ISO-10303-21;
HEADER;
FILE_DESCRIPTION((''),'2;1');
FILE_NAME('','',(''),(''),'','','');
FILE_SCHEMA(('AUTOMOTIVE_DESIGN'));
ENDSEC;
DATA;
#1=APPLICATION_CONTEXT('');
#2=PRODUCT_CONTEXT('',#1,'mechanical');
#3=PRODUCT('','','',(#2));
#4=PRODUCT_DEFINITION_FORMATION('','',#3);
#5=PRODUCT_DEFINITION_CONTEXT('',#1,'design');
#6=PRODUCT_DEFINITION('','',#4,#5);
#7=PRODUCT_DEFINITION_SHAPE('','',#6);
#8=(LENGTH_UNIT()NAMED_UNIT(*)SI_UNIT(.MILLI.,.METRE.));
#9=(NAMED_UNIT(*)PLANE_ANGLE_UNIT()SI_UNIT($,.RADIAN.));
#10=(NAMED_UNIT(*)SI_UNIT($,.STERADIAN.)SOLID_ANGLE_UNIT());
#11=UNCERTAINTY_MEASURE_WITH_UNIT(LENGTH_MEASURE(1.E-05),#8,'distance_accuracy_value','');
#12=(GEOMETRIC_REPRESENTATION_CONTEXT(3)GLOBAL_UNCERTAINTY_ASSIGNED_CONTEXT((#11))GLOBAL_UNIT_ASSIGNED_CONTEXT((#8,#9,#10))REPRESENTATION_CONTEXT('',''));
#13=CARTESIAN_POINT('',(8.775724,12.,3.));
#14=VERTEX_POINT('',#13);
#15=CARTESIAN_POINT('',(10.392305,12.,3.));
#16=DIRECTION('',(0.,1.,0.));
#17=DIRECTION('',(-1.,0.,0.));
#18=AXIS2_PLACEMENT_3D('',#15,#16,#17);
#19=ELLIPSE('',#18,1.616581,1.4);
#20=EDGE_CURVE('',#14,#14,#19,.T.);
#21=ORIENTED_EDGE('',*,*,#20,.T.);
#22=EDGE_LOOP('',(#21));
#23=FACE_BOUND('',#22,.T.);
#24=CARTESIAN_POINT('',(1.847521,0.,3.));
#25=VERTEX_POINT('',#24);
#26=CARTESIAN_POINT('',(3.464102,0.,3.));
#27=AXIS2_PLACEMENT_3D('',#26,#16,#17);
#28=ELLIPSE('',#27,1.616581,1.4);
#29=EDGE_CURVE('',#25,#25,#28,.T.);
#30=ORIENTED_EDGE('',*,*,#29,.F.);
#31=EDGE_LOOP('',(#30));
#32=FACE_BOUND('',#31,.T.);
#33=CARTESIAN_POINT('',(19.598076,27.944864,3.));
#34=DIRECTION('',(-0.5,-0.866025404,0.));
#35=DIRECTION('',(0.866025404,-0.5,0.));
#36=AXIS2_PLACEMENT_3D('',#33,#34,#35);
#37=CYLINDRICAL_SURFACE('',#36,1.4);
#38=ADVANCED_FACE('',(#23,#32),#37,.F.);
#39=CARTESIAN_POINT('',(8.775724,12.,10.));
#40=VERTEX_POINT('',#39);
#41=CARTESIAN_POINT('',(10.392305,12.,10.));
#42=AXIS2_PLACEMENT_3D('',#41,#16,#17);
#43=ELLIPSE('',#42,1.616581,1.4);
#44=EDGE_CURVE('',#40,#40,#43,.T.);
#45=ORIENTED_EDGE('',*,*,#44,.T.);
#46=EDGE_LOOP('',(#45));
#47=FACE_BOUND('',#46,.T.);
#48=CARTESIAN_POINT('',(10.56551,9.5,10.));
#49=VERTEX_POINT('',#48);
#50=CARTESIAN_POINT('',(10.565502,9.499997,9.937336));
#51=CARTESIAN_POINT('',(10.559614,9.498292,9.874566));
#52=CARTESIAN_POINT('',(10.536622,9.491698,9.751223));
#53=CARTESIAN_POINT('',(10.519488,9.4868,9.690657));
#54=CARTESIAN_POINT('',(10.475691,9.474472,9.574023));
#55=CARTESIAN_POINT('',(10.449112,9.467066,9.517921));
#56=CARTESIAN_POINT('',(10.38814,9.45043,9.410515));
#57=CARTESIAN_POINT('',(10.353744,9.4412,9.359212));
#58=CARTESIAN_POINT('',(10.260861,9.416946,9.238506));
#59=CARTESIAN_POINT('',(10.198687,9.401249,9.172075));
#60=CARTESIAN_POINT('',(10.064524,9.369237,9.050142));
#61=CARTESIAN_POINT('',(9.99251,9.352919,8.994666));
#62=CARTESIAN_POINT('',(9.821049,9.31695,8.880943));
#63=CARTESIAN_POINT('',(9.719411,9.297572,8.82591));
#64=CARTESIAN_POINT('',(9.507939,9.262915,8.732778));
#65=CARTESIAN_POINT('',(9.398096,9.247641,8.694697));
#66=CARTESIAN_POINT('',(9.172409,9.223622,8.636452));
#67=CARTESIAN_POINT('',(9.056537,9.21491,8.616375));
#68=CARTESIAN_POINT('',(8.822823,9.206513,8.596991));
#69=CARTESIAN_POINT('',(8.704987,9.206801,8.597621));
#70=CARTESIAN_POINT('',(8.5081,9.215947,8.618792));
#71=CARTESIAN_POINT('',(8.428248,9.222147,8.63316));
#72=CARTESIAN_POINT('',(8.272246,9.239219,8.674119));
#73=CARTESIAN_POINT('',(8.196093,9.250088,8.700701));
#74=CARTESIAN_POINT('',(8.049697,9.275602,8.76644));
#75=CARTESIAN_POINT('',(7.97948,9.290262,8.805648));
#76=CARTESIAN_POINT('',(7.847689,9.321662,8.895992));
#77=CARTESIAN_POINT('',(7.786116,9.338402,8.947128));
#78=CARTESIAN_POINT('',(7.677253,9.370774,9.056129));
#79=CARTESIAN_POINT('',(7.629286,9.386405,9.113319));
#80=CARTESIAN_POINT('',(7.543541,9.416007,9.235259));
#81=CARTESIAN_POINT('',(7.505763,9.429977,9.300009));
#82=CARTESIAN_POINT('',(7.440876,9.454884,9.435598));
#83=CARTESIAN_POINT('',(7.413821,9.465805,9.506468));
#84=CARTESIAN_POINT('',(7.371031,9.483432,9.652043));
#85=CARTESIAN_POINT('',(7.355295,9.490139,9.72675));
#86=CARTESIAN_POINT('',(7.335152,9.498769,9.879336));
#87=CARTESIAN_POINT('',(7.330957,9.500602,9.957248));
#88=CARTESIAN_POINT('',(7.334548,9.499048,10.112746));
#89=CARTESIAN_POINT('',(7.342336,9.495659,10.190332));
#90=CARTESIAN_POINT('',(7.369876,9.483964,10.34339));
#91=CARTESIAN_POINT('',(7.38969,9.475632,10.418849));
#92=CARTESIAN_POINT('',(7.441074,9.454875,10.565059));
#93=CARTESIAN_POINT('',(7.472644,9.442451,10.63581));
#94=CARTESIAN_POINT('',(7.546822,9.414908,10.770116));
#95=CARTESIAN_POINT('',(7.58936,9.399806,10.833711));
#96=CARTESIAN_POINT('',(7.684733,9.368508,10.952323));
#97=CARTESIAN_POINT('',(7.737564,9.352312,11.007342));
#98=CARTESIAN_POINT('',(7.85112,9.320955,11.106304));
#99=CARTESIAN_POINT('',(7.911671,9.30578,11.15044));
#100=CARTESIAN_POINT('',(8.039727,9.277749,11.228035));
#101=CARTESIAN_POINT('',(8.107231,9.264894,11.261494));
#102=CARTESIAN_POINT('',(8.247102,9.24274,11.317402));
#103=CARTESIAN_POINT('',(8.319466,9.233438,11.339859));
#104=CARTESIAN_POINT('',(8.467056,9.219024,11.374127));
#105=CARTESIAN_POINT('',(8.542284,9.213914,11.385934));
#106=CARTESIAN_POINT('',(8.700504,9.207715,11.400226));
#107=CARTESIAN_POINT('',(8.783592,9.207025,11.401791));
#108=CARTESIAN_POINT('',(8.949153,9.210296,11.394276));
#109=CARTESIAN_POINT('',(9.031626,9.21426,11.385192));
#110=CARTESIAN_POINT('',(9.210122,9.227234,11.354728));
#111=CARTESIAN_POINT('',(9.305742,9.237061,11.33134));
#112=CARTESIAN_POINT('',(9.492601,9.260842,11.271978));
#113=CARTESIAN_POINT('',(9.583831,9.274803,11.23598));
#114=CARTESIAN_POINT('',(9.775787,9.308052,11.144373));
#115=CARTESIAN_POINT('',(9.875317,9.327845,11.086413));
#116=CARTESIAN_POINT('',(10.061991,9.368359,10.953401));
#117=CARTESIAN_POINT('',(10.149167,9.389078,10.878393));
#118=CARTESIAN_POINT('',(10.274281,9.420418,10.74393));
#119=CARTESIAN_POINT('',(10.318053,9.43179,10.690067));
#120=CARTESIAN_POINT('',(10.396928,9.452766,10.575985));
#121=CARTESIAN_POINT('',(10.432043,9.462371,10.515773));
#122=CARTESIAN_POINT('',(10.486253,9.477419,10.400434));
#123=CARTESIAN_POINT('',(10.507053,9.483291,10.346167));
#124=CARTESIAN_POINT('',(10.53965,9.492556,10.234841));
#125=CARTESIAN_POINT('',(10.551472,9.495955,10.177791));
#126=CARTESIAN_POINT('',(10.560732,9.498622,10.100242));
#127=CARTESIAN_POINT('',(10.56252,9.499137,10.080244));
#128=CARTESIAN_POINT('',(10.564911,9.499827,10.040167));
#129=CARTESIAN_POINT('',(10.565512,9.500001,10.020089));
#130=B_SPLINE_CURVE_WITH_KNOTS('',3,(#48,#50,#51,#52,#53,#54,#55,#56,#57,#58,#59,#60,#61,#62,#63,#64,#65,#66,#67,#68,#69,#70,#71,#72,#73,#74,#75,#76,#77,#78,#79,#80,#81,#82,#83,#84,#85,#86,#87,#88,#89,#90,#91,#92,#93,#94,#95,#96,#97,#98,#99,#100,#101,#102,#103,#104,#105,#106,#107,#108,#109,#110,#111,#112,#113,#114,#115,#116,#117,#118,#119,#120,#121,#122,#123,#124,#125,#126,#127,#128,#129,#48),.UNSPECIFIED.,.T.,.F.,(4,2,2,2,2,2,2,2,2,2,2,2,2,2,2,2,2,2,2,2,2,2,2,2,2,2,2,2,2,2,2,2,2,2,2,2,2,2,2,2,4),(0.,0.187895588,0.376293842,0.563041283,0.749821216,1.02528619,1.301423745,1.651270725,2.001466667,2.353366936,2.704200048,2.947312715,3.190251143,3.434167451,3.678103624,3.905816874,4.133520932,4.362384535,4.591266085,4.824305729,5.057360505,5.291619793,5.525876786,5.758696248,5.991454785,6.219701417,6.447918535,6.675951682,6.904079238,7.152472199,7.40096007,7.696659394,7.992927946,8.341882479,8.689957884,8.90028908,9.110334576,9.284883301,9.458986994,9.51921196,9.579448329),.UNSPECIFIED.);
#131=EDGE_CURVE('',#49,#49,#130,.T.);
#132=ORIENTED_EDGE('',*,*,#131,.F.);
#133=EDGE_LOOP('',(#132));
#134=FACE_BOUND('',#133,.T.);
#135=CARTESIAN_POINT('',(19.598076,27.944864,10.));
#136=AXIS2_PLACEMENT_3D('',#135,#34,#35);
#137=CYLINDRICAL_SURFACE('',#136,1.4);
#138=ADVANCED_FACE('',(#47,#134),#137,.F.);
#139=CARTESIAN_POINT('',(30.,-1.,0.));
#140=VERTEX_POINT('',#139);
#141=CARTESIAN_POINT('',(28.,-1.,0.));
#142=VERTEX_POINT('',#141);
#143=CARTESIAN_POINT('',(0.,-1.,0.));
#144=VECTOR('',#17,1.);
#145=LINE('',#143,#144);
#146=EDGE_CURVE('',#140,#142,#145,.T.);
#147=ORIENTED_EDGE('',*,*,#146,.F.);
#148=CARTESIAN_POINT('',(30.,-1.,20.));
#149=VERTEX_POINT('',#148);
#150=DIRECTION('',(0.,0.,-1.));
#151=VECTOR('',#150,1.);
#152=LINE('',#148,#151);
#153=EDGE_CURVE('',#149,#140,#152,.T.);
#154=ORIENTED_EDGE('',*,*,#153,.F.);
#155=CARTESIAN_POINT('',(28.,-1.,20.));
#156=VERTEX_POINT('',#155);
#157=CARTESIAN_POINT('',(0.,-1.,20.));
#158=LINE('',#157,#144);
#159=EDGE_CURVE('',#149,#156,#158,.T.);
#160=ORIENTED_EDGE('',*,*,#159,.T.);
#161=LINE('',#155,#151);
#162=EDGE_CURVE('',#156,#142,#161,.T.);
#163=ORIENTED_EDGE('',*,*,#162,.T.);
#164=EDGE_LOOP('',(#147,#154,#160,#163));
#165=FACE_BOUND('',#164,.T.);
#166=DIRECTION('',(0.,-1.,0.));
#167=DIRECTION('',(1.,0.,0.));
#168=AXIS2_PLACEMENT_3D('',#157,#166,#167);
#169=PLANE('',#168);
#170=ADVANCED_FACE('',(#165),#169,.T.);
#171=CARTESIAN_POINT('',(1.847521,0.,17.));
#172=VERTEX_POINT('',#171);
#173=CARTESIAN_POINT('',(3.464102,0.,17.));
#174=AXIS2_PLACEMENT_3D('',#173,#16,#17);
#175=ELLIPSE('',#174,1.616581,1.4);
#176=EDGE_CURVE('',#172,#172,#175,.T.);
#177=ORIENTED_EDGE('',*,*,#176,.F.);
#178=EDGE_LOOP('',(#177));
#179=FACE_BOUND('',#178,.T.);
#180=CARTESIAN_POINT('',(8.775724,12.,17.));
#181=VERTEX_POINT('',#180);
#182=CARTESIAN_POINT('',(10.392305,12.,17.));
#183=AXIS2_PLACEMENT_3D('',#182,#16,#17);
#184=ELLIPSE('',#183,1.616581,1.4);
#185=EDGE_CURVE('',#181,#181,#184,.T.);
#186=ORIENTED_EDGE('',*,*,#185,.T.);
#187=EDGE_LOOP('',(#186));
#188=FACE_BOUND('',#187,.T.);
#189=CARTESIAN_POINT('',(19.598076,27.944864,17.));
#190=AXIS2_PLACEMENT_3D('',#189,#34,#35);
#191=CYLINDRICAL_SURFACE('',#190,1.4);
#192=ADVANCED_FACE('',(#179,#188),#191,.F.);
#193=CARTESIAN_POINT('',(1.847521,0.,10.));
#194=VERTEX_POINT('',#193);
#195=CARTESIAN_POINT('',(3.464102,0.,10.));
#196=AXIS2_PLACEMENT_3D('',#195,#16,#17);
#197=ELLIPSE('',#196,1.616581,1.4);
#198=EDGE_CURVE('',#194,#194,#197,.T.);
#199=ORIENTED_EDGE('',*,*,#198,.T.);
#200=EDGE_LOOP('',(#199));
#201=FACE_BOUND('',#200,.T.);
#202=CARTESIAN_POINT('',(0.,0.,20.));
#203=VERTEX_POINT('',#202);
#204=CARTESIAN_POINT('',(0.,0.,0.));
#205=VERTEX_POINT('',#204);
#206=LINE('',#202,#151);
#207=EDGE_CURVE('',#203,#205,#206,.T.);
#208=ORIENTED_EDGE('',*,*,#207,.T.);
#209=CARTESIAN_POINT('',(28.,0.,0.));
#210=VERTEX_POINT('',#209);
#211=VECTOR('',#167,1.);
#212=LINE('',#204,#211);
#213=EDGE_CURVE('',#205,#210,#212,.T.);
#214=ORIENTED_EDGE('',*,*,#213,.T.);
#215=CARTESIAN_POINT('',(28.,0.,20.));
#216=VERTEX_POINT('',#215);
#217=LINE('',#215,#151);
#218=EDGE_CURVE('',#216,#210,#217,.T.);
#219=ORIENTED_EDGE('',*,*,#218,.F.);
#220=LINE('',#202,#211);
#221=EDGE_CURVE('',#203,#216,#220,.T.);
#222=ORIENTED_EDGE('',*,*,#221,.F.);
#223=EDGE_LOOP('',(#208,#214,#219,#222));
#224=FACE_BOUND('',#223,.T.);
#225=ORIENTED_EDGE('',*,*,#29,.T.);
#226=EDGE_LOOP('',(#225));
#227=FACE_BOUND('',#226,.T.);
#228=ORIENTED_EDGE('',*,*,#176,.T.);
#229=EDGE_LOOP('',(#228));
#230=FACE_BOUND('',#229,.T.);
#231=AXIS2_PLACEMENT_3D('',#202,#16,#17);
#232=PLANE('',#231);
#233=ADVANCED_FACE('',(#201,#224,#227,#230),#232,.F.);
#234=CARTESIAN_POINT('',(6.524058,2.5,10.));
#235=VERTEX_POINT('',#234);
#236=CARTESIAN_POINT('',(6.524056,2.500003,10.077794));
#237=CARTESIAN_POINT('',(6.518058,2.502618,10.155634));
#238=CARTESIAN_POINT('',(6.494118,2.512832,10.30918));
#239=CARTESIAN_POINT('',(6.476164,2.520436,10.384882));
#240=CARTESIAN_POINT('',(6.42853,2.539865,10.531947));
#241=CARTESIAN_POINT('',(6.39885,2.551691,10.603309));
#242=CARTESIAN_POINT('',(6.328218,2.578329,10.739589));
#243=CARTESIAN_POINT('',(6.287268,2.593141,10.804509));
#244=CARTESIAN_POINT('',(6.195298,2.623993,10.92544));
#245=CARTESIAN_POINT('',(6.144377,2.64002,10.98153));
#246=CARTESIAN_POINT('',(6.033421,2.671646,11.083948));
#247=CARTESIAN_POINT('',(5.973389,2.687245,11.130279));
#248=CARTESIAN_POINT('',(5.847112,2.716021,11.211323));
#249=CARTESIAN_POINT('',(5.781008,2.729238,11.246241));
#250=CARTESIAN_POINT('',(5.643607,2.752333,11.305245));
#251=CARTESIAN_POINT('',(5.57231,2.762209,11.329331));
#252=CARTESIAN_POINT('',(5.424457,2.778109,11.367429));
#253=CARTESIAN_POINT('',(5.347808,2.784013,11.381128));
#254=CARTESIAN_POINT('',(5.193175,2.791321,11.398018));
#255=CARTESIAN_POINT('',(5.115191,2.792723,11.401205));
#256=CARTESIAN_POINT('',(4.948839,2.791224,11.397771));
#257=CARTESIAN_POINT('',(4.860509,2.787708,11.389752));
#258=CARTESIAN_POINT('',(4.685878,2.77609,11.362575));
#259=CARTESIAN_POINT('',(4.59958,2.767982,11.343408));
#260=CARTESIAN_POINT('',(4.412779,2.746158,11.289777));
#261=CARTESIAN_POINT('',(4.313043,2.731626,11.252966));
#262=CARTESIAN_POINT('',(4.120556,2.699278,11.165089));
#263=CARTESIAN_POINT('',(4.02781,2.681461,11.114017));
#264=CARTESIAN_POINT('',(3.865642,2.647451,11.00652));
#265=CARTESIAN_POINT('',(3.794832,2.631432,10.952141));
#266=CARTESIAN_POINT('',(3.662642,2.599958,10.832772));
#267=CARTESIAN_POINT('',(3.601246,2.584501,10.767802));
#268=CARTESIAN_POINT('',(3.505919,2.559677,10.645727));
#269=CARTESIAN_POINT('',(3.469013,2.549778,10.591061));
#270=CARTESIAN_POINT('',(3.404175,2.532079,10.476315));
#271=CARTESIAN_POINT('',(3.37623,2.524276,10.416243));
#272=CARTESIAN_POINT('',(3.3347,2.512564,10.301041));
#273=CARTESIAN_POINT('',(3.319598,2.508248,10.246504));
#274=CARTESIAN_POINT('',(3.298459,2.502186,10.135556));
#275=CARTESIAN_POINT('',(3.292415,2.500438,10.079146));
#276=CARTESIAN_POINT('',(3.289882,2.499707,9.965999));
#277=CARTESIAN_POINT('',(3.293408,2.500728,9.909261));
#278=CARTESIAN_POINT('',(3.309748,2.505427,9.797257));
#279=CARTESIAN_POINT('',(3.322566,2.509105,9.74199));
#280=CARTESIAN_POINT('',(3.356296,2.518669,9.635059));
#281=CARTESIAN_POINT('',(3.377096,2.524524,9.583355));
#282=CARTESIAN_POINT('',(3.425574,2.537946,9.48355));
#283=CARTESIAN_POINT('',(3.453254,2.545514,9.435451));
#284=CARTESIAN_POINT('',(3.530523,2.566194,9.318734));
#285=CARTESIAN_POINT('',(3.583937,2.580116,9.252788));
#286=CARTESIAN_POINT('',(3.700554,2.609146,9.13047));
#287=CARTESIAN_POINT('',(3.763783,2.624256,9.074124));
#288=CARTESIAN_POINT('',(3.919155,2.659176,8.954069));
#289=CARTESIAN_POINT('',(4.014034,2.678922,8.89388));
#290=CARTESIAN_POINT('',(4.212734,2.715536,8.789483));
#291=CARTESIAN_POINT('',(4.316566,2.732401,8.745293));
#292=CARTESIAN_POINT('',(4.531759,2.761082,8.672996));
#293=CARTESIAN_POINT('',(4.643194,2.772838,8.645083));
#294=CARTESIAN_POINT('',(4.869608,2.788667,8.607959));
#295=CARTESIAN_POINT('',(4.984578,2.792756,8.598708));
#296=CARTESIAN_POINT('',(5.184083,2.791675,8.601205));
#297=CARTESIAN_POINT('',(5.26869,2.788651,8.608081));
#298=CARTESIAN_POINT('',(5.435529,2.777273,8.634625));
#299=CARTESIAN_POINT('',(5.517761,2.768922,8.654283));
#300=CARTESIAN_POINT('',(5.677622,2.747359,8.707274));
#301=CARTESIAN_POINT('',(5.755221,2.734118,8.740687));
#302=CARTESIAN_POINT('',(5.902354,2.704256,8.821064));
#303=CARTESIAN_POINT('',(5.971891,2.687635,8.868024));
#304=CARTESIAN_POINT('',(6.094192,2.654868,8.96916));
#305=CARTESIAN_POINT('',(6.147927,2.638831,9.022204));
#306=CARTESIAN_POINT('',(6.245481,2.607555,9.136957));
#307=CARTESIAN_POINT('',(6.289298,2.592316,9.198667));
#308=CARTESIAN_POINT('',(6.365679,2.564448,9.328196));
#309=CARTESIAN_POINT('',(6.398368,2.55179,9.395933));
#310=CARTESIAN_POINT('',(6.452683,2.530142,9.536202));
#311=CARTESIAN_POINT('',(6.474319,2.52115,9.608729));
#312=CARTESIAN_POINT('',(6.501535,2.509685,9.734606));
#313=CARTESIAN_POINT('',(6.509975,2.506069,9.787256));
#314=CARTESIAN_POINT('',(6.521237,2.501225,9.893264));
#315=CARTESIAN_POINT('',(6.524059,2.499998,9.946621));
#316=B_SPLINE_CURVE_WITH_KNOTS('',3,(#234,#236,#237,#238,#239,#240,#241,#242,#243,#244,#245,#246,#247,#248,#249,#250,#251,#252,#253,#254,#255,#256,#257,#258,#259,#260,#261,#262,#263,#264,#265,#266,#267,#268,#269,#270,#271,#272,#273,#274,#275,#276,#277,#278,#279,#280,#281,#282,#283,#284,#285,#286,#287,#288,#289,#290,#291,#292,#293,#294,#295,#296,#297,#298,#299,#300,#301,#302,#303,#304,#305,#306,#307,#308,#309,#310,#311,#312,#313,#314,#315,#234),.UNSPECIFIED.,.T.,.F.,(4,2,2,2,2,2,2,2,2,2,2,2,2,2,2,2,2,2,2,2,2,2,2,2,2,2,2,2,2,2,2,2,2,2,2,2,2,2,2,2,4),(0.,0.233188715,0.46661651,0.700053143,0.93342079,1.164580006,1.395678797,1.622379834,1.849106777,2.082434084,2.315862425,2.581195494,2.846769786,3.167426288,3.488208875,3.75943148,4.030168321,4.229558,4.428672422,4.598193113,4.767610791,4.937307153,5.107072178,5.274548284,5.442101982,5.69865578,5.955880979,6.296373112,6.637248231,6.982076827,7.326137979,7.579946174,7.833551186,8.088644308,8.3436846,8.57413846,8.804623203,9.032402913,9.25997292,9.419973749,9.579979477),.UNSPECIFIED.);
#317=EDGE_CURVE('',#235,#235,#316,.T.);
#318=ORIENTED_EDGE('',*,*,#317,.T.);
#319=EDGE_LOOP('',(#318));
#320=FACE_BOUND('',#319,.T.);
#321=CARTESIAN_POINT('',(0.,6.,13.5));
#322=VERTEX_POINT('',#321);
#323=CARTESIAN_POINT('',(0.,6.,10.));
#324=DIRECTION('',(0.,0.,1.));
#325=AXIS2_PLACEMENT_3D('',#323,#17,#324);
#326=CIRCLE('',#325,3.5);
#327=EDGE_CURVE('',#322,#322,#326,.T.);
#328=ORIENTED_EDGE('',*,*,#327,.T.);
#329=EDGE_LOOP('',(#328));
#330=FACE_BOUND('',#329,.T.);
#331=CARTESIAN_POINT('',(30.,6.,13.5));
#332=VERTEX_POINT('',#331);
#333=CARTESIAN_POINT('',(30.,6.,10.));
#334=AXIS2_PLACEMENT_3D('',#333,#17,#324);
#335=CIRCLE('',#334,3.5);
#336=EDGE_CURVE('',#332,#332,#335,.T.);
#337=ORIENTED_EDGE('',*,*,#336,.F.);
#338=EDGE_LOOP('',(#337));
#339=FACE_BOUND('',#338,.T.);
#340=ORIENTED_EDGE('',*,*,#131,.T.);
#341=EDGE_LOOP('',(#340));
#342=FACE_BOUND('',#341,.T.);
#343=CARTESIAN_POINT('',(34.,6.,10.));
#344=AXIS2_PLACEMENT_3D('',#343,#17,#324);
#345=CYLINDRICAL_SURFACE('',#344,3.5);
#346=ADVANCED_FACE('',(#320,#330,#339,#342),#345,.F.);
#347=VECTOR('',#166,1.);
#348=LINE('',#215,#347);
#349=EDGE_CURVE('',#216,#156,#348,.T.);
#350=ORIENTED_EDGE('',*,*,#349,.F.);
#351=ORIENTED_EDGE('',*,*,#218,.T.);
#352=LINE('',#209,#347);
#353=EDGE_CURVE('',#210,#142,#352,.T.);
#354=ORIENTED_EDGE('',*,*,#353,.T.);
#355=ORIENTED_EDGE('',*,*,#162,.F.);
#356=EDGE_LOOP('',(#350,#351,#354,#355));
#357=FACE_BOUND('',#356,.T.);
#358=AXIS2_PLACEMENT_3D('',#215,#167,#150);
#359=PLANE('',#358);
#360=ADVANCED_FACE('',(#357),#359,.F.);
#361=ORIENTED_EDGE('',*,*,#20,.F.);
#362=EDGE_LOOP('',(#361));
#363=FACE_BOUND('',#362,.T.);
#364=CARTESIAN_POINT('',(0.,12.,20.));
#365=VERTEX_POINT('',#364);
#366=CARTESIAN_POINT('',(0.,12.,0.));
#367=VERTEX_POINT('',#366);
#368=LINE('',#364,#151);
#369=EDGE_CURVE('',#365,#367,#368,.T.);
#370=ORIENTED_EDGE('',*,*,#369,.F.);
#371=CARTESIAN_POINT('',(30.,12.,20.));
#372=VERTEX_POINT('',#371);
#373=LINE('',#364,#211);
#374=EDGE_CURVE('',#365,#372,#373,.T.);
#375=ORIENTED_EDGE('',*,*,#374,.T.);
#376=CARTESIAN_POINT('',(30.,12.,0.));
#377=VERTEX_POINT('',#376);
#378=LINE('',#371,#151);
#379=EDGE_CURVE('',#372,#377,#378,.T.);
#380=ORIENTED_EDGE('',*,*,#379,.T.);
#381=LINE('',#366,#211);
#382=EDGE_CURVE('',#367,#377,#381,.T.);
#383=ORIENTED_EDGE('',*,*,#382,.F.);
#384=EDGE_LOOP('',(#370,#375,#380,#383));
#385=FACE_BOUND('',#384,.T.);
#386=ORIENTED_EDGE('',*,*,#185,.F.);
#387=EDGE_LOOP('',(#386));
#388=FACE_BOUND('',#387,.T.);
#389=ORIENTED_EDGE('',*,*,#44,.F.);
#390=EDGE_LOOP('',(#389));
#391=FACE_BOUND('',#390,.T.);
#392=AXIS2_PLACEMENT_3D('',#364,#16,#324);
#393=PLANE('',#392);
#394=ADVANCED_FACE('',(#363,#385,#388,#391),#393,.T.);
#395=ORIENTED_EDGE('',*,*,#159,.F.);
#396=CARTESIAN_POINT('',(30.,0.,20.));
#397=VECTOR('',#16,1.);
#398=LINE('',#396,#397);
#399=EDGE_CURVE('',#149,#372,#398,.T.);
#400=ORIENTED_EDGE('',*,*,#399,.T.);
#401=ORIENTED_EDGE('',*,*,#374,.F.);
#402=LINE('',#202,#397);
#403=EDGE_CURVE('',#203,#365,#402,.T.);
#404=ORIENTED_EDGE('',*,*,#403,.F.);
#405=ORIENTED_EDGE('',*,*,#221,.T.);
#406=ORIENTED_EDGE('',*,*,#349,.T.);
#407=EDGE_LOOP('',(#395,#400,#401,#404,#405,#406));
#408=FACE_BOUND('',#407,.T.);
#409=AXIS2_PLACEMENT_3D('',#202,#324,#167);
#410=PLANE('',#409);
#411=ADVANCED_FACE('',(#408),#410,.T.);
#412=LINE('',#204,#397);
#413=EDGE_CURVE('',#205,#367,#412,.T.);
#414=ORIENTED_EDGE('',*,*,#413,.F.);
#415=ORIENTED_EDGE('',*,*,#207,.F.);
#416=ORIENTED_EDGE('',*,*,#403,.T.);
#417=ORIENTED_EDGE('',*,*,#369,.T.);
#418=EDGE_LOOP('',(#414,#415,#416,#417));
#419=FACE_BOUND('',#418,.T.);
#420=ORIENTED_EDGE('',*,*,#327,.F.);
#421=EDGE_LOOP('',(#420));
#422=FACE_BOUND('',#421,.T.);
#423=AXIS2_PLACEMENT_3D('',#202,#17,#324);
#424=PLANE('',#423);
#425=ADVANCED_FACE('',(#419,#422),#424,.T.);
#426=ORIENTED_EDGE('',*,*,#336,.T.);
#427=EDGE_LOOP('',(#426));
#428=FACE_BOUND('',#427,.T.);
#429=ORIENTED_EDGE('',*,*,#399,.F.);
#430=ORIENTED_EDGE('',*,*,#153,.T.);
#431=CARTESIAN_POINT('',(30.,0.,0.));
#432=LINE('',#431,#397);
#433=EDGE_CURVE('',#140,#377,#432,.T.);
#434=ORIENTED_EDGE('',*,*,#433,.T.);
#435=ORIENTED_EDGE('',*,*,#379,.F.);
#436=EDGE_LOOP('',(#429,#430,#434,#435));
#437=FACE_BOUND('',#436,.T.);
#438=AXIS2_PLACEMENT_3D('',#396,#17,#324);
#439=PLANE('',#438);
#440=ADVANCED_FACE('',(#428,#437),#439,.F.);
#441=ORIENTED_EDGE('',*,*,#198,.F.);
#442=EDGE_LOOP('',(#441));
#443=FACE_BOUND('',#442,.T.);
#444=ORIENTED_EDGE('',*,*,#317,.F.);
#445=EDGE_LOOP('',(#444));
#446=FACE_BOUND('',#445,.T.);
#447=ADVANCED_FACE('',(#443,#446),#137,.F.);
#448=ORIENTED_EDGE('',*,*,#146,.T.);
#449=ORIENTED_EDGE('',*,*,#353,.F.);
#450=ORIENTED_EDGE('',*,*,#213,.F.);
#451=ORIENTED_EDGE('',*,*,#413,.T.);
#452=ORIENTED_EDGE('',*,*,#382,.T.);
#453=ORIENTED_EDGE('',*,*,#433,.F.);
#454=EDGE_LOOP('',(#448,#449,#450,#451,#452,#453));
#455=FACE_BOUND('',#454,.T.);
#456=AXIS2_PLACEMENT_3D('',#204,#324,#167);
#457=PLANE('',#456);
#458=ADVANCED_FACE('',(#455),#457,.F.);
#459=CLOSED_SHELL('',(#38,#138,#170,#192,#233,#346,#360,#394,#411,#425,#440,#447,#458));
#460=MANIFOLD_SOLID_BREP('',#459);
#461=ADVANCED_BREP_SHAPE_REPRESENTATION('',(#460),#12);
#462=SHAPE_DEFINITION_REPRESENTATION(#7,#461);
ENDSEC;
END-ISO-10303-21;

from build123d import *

# Parameters (mm, degrees)
SKICA1_W                 = 30
SKICA1_H                 = 12
SKICA1_W_2               = 2
SKICA1_H_2               = 1
P_IDAT_VYSUNUT_M1_DEPTH  = 20
SKICA2_R                 = 3.5
ODEBRAT_VYSUNUT_M1_DEPTH = 34
SKICA3_R                 = 1.4
ODEBRAT_VYSUNUT_M2_DEPTH = 34


with BuildPart() as part:
    # Skica1 → Přidat vysunutím1 (new body)
    with BuildSketch(Plane.XY):
        with Locations((15, 6)):
            Rectangle(SKICA1_W, SKICA1_H)
        with Locations((29, -0.5)):
            Rectangle(SKICA1_W_2, SKICA1_H_2)
    extrude(amount=P_IDAT_VYSUNUT_M1_DEPTH)

    # Skica2 → Odebrat vysunutím1 (cut)
    with BuildSketch(Plane.ZY):
        with Locations((10, 6)):
            Circle(SKICA2_R)
    extrude(amount=-ODEBRAT_VYSUNUT_M1_DEPTH, mode=Mode.SUBTRACT)

    # Skica3 → Odebrat vysunutím2 (cut)
    with BuildSketch(Plane(origin=(0, 0, 0), x_dir=(0, 0, -1), z_dir=(-0.500000000000001, -0.866025403784438, 0))):
        with Locations(Location((-10, 3, 0), (0, 0, 90))):
            Circle(SKICA3_R)
        with Locations(Location((-17, 3, 0), (0, 0, 270))):
            Circle(SKICA3_R)
        with Locations(Location((-3, 3, 0), (0, 0, 270))):
            Circle(SKICA3_R)
    extrude(amount=-ODEBRAT_VYSUNUT_M2_DEPTH, mode=Mode.SUBTRACT)


solid = part.part
